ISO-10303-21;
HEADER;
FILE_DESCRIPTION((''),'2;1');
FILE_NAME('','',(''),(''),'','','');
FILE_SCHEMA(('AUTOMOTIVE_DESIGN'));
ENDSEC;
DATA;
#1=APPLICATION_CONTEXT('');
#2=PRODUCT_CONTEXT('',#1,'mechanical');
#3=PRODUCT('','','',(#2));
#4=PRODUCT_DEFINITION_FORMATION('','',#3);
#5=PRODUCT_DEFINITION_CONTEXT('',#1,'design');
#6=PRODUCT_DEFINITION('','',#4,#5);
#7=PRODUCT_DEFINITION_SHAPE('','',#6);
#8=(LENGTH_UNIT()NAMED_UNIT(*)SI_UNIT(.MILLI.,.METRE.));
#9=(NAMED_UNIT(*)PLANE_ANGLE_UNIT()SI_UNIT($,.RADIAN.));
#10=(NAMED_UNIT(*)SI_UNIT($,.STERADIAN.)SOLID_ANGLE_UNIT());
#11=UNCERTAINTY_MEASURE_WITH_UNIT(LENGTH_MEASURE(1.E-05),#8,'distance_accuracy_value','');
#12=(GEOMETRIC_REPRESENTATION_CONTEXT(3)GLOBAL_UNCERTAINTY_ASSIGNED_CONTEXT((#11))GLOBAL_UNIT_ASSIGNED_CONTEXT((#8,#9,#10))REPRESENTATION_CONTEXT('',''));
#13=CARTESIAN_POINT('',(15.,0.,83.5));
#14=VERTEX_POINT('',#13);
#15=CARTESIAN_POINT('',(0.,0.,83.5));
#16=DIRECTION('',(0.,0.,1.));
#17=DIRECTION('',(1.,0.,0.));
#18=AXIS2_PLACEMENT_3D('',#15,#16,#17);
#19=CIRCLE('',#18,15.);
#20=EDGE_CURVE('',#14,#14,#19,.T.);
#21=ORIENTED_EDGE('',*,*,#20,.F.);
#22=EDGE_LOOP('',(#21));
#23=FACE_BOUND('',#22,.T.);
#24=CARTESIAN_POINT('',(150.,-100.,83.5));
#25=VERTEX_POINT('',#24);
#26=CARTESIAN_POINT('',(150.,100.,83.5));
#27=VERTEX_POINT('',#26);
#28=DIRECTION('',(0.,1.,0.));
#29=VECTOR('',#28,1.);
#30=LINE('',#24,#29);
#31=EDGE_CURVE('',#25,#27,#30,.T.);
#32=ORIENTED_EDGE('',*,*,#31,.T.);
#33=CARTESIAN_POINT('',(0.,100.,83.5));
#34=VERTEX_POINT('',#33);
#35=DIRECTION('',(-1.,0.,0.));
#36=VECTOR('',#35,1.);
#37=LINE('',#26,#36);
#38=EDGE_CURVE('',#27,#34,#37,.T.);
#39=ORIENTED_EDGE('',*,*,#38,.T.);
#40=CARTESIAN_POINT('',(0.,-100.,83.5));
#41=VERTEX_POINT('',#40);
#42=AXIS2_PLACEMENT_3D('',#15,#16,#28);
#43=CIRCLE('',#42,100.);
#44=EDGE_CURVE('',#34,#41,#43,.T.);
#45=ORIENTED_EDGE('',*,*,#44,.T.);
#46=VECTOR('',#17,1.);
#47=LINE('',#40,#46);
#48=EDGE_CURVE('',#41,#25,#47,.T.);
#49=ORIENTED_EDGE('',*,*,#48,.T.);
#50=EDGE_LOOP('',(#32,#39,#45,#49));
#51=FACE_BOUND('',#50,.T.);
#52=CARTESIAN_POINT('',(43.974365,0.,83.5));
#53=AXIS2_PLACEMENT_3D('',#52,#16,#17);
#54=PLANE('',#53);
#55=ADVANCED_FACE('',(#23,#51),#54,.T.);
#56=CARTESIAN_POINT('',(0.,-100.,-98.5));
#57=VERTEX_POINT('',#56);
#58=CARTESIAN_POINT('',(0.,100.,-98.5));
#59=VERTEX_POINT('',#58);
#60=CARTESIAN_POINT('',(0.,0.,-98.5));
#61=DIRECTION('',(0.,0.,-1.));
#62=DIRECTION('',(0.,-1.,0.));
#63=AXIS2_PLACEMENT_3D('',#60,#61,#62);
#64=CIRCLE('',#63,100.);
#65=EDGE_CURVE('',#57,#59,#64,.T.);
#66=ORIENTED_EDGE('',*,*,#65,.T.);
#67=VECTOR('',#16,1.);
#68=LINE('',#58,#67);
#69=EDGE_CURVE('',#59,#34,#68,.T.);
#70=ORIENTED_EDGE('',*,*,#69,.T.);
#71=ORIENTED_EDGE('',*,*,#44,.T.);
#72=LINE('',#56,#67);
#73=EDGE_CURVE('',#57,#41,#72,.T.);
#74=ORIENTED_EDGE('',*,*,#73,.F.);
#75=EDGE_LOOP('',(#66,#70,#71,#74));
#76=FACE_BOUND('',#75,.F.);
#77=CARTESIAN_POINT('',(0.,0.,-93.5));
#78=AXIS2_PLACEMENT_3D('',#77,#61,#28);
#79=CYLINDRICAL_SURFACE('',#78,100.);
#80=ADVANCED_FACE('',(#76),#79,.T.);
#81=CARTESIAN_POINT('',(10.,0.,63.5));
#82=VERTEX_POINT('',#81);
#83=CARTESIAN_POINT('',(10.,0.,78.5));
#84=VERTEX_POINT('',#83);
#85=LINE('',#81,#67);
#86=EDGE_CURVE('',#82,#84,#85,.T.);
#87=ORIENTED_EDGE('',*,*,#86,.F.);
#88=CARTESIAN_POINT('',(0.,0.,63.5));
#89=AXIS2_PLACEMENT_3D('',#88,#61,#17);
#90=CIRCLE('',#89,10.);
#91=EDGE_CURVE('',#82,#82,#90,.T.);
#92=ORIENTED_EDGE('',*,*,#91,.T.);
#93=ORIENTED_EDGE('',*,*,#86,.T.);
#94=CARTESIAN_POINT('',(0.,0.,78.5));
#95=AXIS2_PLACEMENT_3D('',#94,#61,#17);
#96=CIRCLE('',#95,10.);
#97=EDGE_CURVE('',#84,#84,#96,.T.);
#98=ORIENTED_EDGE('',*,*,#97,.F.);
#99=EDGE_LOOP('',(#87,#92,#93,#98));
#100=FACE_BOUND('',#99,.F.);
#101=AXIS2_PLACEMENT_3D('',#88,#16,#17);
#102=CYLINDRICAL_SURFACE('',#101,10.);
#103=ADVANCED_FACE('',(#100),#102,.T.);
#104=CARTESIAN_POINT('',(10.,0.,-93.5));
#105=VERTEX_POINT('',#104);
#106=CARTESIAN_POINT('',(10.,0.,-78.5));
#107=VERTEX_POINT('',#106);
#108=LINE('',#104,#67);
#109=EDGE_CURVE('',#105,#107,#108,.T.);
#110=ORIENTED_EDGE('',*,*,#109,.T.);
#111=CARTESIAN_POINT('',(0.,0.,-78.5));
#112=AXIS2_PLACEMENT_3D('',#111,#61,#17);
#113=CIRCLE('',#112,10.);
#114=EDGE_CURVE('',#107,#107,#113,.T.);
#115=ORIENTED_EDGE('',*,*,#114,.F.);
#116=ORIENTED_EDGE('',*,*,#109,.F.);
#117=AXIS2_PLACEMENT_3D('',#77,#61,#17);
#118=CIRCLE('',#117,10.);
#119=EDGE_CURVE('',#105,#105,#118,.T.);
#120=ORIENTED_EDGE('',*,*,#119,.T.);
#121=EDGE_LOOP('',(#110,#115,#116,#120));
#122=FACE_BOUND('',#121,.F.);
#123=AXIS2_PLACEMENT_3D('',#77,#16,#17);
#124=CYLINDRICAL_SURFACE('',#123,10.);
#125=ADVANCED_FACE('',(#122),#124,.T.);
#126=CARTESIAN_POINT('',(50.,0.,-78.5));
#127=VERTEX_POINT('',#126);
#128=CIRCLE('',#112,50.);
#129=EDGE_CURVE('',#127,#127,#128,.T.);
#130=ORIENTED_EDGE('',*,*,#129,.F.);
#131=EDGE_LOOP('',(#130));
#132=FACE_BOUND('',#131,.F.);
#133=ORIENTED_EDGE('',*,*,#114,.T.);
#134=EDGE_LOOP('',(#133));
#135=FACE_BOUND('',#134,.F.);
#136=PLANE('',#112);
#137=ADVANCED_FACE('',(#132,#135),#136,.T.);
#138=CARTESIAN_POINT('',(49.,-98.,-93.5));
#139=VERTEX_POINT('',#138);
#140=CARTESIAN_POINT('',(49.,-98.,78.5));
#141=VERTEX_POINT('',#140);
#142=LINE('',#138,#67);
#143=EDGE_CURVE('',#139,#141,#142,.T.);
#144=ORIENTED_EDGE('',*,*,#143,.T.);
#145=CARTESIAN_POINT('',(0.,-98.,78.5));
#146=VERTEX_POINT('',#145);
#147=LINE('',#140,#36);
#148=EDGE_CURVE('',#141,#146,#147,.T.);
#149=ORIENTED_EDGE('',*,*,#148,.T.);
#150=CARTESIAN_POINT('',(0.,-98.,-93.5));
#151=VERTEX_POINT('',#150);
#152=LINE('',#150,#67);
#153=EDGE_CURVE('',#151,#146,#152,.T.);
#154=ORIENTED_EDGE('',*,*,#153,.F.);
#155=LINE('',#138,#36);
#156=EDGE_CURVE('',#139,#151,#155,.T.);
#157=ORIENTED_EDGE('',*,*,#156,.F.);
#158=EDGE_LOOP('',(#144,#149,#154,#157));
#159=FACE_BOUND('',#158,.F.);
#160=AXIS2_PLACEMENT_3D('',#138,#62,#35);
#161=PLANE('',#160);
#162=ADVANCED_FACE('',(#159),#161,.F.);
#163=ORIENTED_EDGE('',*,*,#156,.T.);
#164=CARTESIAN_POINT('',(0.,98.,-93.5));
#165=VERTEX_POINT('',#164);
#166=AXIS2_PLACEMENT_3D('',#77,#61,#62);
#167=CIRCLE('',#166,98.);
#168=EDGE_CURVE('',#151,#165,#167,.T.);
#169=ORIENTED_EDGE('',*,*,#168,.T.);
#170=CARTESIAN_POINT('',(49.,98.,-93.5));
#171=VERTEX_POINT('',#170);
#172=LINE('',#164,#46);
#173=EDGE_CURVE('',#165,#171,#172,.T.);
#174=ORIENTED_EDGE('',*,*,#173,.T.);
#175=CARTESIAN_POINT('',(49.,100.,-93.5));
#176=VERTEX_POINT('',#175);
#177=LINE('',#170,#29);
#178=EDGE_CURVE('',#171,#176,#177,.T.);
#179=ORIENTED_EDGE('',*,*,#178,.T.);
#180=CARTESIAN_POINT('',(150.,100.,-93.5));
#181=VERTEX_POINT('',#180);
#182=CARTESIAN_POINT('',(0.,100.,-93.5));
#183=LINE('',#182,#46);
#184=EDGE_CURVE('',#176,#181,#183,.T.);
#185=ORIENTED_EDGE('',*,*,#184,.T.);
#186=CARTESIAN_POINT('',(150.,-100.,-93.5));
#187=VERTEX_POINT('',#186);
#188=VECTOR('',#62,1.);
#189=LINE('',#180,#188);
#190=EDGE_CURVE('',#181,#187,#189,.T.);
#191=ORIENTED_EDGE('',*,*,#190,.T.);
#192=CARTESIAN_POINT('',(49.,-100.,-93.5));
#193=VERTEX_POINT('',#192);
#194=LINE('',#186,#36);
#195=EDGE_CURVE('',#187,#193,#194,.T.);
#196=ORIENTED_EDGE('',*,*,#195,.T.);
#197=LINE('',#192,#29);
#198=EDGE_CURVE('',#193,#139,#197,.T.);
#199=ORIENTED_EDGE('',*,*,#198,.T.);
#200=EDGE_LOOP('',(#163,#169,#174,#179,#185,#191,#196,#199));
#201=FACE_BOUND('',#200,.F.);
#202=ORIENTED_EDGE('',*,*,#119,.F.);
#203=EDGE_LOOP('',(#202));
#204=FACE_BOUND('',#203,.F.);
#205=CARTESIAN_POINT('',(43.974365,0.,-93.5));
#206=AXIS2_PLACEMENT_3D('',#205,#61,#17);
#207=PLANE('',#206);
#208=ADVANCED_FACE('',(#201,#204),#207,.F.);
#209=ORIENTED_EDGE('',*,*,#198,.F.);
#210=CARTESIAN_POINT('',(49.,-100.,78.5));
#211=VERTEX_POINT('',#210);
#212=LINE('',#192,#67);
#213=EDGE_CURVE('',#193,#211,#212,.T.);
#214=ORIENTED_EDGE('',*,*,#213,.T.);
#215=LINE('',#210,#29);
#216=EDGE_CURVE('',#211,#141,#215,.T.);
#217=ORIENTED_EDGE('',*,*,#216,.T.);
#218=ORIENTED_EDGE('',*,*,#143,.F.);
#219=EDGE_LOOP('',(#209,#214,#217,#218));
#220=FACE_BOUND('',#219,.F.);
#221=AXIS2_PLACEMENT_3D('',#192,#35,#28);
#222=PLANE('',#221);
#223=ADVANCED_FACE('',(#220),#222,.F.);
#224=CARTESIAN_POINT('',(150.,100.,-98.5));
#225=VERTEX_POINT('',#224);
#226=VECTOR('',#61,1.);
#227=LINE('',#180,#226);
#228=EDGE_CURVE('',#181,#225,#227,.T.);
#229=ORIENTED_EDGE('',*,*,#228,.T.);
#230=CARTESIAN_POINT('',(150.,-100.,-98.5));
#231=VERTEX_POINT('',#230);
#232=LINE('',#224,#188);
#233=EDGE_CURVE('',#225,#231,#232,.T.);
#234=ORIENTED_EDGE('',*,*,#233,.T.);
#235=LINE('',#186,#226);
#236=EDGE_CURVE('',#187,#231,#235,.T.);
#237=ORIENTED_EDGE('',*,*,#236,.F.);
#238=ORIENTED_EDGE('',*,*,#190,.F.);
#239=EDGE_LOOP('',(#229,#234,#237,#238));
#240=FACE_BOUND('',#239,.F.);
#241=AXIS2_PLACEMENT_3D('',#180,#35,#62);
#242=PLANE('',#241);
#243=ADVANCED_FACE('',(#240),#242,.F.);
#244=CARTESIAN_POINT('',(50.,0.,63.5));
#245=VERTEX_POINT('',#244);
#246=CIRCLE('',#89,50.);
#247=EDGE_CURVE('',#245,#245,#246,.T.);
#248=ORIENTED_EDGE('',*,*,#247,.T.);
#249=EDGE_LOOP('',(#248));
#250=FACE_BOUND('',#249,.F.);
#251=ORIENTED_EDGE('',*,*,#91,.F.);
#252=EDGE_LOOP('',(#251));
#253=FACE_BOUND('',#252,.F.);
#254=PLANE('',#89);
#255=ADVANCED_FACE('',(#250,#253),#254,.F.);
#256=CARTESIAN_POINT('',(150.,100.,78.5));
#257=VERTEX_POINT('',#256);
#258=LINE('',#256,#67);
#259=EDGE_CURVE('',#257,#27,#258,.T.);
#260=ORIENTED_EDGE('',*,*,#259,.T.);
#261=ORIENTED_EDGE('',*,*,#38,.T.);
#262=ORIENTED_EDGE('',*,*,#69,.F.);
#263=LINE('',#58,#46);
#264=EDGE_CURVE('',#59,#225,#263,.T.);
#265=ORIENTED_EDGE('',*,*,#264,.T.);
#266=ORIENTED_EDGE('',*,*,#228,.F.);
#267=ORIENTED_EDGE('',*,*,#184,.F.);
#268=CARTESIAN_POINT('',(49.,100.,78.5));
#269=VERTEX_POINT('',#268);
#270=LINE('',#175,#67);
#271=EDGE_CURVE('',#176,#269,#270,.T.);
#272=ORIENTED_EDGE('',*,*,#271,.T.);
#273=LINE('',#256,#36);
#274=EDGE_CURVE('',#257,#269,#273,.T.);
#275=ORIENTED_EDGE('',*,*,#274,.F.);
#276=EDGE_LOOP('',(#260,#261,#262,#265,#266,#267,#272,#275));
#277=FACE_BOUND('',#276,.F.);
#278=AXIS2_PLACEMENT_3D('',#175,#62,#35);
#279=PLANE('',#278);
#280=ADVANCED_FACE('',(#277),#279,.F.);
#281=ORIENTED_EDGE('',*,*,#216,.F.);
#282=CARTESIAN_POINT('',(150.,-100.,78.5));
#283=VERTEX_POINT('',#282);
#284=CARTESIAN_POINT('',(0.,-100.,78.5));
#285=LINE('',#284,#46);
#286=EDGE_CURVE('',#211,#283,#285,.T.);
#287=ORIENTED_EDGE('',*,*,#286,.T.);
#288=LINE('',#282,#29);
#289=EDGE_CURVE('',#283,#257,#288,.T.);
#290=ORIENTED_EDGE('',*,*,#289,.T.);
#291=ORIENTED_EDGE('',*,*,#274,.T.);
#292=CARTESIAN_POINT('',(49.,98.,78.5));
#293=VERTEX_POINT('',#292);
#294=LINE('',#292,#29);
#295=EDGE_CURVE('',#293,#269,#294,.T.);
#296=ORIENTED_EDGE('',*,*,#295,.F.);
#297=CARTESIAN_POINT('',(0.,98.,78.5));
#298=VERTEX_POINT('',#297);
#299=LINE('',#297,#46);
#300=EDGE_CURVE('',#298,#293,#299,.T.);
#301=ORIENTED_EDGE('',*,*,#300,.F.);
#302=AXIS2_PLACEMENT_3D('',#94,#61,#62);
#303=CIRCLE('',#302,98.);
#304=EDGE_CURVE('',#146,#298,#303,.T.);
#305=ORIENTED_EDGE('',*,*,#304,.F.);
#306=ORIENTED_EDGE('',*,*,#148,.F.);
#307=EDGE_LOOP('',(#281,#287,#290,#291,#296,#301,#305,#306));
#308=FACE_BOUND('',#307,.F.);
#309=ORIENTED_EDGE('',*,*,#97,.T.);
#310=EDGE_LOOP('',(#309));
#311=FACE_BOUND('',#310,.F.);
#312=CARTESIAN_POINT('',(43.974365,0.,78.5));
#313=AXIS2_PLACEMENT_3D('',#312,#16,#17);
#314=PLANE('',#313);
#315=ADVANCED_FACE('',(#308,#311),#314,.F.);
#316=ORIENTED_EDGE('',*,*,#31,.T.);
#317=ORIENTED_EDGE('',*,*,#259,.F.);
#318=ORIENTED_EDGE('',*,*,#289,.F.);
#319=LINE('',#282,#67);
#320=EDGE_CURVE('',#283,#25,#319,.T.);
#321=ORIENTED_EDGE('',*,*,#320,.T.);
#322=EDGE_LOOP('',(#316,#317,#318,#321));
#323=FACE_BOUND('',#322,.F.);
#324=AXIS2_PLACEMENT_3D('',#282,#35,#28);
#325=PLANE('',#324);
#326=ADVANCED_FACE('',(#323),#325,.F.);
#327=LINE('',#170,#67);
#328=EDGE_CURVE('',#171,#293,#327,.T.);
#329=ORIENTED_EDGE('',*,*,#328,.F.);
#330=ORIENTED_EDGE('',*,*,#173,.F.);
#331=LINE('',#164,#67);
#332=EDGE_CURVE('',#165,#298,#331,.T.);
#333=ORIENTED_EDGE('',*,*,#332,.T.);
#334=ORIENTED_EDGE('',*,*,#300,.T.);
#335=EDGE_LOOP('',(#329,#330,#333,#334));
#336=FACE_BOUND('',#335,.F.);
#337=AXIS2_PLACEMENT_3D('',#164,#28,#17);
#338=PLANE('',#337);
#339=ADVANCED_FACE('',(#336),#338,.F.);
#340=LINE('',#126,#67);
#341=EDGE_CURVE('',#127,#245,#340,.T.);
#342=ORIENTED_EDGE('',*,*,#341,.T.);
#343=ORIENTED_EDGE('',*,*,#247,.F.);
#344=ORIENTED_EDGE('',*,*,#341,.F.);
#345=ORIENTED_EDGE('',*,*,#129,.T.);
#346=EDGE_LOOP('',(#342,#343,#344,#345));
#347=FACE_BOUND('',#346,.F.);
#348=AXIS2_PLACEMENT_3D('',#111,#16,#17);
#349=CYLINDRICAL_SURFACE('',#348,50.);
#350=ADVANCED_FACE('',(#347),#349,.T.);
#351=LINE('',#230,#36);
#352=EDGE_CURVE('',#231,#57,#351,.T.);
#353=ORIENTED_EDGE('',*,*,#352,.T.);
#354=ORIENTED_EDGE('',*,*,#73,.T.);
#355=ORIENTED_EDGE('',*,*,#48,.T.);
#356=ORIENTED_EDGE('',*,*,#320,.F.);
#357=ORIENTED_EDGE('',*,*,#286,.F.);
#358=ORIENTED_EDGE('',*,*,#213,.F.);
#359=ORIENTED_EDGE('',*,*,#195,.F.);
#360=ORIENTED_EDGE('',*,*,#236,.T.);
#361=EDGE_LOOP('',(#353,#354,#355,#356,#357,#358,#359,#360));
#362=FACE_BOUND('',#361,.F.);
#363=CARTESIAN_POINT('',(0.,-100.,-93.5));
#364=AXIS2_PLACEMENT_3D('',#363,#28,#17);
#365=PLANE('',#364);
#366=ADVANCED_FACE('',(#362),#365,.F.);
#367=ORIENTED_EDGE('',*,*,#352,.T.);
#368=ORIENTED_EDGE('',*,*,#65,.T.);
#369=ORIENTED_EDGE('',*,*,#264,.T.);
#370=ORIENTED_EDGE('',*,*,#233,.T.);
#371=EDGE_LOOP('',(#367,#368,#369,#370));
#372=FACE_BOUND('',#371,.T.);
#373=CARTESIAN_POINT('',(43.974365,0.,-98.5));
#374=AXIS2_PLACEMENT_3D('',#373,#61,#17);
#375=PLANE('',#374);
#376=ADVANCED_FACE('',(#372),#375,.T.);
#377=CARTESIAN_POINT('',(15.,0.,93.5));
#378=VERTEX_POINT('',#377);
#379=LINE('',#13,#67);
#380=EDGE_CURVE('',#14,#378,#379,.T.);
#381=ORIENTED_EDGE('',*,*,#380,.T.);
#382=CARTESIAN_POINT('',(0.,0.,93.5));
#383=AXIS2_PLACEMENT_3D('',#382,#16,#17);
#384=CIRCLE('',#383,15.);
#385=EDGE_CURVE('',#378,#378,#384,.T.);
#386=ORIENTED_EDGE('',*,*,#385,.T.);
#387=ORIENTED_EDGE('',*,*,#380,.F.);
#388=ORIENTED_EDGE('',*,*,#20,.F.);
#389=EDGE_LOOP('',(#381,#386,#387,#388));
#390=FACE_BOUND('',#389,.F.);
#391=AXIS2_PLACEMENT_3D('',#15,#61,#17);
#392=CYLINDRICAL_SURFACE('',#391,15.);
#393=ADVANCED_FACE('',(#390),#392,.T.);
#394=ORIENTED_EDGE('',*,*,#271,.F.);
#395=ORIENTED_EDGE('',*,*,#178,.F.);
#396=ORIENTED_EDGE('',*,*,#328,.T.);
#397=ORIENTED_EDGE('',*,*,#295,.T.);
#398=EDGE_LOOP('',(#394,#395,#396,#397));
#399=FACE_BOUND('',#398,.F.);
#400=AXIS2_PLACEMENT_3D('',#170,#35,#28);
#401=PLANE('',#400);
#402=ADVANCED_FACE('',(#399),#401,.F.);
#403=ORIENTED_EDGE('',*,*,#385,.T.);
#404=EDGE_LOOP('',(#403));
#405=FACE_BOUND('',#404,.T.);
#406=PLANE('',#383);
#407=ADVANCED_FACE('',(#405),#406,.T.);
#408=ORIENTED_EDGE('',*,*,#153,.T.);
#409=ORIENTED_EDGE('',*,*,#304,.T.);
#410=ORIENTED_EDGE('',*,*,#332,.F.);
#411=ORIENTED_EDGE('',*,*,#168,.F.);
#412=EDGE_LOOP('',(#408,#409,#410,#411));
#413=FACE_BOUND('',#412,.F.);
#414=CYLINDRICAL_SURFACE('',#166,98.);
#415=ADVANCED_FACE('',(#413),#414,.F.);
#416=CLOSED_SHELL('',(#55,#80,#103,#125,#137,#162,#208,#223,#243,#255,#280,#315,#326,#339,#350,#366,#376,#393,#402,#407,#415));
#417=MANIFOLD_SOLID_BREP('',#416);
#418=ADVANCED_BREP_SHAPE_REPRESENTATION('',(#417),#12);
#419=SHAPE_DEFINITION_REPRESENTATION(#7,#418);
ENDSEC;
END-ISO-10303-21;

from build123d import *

# Parameters (mm, degrees)
F4_DEPTH  = 5
F6_DEPTH  = 5
F8_DEPTH  = 172
F9_R      = 15
F10_DEPTH = 10


with BuildPart() as f2:
    # F0 (on Front) → F2 (revolve)
    with BuildSketch(Plane.XZ):
        Polygon((10, 78.5), (0, 78.5), (0, -93.5), (10, -93.5), (10, -78.5), (50, -78.5), (50, 63.5), (10, 63.5), align=None)
    revolve(axis=Axis((0, 0, -2.2203251719), (0, 0, -1)))

    # F3 (on face) → F4 (join)
    with BuildSketch(Plane.XY.offset(78.5)):
        with BuildLine():
            Line((150, 100), (0, 100))
            ThreePointArc((0, 100), (-100, 0), (0, -100))
            Line((0, -100), (150, -100))
            Line((150, -100), (150, 100))
        make_face()
    extrude(amount=F4_DEPTH)

    # F5 (on face) → F6 (join)
    with BuildSketch(Plane(origin=(0, 0, -93.5), x_dir=(1, 0, 0), z_dir=(0, 0, -1))):
        with BuildLine():
            ThreePointArc((0, 100), (-100, 0), (0, -100))
            Line((0, -100), (150, -100))
            Line((150, -100), (150, 100))
            Line((150, 100), (0, 100))
        make_face()
    extrude(amount=F6_DEPTH)

    # F7 (on face) → F8 (join, through all)
    with BuildSketch(Plane.XY.offset(-93.5)):
        with BuildLine():
            Line((49, 100), (0, 100))
            ThreePointArc((0, 100), (-100, 0), (0, -100))
            Line((0, -100), (49, -100))
            Line((49, -100), (49, -98))
            Line((49, -98), (0, -98))
            ThreePointArc((0, -98), (-98, 0), (0, 98))
            Line((0, 98), (49, 98))
            Line((49, 98), (49, 100))
        make_face()
    extrude(amount=F8_DEPTH)

    # F9 (on face) → F10 (join)
    with BuildSketch(Plane.XY.offset(83.5)):
        Circle(F9_R)
    extrude(amount=F10_DEPTH)


solid = f2.part
